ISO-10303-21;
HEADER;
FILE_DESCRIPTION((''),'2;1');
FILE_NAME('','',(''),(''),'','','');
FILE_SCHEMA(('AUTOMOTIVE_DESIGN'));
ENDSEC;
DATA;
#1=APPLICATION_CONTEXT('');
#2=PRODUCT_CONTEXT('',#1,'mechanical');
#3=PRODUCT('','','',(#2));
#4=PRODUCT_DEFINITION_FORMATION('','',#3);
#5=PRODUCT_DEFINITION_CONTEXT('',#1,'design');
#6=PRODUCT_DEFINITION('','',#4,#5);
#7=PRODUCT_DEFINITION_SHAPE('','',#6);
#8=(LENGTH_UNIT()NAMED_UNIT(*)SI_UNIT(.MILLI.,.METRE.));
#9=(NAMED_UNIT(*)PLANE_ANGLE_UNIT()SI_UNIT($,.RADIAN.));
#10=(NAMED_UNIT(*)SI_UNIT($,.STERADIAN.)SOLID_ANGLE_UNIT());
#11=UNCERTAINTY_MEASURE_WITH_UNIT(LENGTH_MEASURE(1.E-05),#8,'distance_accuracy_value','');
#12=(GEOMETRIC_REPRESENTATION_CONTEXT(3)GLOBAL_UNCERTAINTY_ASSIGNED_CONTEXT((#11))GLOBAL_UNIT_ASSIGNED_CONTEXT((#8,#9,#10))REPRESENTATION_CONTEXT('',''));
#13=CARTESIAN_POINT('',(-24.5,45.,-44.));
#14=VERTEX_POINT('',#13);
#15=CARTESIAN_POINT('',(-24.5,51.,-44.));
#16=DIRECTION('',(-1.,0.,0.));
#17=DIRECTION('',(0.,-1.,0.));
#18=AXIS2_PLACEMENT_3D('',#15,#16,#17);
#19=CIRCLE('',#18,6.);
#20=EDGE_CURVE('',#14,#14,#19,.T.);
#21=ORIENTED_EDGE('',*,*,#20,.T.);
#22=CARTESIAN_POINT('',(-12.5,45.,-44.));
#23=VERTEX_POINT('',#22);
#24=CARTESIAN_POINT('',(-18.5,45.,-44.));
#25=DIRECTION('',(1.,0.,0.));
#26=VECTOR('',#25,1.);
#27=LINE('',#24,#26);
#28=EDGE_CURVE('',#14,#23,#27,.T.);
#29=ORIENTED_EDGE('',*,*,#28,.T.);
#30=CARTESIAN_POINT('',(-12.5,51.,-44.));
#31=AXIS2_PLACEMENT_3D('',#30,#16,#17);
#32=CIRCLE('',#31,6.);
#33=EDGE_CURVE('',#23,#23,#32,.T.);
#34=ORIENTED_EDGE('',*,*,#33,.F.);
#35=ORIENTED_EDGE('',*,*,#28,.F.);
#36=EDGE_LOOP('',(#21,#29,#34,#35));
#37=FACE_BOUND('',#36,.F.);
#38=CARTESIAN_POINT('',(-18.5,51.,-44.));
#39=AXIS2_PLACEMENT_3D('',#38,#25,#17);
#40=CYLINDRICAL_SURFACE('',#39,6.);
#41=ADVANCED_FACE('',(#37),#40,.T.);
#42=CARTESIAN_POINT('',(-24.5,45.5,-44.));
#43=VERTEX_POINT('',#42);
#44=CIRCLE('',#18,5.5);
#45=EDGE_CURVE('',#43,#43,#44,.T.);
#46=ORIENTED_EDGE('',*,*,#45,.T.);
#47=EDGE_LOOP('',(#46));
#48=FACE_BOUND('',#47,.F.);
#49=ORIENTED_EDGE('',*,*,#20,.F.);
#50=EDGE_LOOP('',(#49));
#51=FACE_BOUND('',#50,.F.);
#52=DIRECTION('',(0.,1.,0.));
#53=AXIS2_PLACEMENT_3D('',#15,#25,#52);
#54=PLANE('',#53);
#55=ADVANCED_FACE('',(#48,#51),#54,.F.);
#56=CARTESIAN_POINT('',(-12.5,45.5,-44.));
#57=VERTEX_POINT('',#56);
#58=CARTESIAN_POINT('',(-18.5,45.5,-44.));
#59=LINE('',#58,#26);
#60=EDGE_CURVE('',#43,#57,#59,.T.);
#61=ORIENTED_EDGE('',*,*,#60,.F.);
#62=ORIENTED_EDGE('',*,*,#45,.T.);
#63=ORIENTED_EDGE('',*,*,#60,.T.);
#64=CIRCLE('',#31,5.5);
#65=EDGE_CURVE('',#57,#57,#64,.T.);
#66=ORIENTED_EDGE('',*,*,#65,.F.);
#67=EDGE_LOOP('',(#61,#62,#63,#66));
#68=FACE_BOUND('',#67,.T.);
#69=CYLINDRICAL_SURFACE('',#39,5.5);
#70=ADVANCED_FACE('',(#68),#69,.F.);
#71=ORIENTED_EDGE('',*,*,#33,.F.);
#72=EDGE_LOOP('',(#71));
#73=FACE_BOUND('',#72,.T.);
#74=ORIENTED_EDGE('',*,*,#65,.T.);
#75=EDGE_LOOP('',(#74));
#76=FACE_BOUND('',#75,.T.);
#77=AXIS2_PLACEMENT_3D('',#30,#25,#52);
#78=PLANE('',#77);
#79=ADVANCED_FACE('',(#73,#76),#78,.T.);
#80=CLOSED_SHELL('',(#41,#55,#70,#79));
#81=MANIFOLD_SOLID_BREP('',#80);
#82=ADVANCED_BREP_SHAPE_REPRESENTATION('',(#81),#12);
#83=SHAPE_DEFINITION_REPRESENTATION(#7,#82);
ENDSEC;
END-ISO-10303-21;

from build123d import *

# Parameters (mm, degrees)
SKETCH036_W = 12
SKETCH036_H = 0.5


with BuildPart() as washer:
    # Sketch036 → Revolution001 (revolve)
    with BuildSketch(Plane.XY):
        with Locations((-18.5, 5.75)):
            Rectangle(SKETCH036_W, SKETCH036_H)
    revolve(axis=Axis((0, 0, 0), (1, 0, 0)))


with BuildPart() as washer_1:
    # Body008 placement: moved
    add(washer.part.moved(Location((0, -51, -44))))


with BuildPart() as part_mirroring006:
    # Part__Mirroring006: instance of washer
    add(washer_1.part.mirror(Plane(origin=(0, 0, 0), x_dir=(0, -1, 0), z_dir=(1, 0, 0))))


with BuildPart() as part_mirroring007:
    # Part__Mirroring007: instance of Part__Mirroring006
    add(part_mirroring006.part.mirror(Plane(origin=(0, 0, 0), x_dir=(1, 0, 0), z_dir=(0, 1, 0))))


with BuildPart() as part_mirroring008:
    # Part__Mirroring008: instance of Part__Mirroring007
    add(part_mirroring007.part.mirror(Plane(origin=(0, 0, 0), x_dir=(0, -1, 0), z_dir=(1, 0, 0))))


solid = part_mirroring008.part
